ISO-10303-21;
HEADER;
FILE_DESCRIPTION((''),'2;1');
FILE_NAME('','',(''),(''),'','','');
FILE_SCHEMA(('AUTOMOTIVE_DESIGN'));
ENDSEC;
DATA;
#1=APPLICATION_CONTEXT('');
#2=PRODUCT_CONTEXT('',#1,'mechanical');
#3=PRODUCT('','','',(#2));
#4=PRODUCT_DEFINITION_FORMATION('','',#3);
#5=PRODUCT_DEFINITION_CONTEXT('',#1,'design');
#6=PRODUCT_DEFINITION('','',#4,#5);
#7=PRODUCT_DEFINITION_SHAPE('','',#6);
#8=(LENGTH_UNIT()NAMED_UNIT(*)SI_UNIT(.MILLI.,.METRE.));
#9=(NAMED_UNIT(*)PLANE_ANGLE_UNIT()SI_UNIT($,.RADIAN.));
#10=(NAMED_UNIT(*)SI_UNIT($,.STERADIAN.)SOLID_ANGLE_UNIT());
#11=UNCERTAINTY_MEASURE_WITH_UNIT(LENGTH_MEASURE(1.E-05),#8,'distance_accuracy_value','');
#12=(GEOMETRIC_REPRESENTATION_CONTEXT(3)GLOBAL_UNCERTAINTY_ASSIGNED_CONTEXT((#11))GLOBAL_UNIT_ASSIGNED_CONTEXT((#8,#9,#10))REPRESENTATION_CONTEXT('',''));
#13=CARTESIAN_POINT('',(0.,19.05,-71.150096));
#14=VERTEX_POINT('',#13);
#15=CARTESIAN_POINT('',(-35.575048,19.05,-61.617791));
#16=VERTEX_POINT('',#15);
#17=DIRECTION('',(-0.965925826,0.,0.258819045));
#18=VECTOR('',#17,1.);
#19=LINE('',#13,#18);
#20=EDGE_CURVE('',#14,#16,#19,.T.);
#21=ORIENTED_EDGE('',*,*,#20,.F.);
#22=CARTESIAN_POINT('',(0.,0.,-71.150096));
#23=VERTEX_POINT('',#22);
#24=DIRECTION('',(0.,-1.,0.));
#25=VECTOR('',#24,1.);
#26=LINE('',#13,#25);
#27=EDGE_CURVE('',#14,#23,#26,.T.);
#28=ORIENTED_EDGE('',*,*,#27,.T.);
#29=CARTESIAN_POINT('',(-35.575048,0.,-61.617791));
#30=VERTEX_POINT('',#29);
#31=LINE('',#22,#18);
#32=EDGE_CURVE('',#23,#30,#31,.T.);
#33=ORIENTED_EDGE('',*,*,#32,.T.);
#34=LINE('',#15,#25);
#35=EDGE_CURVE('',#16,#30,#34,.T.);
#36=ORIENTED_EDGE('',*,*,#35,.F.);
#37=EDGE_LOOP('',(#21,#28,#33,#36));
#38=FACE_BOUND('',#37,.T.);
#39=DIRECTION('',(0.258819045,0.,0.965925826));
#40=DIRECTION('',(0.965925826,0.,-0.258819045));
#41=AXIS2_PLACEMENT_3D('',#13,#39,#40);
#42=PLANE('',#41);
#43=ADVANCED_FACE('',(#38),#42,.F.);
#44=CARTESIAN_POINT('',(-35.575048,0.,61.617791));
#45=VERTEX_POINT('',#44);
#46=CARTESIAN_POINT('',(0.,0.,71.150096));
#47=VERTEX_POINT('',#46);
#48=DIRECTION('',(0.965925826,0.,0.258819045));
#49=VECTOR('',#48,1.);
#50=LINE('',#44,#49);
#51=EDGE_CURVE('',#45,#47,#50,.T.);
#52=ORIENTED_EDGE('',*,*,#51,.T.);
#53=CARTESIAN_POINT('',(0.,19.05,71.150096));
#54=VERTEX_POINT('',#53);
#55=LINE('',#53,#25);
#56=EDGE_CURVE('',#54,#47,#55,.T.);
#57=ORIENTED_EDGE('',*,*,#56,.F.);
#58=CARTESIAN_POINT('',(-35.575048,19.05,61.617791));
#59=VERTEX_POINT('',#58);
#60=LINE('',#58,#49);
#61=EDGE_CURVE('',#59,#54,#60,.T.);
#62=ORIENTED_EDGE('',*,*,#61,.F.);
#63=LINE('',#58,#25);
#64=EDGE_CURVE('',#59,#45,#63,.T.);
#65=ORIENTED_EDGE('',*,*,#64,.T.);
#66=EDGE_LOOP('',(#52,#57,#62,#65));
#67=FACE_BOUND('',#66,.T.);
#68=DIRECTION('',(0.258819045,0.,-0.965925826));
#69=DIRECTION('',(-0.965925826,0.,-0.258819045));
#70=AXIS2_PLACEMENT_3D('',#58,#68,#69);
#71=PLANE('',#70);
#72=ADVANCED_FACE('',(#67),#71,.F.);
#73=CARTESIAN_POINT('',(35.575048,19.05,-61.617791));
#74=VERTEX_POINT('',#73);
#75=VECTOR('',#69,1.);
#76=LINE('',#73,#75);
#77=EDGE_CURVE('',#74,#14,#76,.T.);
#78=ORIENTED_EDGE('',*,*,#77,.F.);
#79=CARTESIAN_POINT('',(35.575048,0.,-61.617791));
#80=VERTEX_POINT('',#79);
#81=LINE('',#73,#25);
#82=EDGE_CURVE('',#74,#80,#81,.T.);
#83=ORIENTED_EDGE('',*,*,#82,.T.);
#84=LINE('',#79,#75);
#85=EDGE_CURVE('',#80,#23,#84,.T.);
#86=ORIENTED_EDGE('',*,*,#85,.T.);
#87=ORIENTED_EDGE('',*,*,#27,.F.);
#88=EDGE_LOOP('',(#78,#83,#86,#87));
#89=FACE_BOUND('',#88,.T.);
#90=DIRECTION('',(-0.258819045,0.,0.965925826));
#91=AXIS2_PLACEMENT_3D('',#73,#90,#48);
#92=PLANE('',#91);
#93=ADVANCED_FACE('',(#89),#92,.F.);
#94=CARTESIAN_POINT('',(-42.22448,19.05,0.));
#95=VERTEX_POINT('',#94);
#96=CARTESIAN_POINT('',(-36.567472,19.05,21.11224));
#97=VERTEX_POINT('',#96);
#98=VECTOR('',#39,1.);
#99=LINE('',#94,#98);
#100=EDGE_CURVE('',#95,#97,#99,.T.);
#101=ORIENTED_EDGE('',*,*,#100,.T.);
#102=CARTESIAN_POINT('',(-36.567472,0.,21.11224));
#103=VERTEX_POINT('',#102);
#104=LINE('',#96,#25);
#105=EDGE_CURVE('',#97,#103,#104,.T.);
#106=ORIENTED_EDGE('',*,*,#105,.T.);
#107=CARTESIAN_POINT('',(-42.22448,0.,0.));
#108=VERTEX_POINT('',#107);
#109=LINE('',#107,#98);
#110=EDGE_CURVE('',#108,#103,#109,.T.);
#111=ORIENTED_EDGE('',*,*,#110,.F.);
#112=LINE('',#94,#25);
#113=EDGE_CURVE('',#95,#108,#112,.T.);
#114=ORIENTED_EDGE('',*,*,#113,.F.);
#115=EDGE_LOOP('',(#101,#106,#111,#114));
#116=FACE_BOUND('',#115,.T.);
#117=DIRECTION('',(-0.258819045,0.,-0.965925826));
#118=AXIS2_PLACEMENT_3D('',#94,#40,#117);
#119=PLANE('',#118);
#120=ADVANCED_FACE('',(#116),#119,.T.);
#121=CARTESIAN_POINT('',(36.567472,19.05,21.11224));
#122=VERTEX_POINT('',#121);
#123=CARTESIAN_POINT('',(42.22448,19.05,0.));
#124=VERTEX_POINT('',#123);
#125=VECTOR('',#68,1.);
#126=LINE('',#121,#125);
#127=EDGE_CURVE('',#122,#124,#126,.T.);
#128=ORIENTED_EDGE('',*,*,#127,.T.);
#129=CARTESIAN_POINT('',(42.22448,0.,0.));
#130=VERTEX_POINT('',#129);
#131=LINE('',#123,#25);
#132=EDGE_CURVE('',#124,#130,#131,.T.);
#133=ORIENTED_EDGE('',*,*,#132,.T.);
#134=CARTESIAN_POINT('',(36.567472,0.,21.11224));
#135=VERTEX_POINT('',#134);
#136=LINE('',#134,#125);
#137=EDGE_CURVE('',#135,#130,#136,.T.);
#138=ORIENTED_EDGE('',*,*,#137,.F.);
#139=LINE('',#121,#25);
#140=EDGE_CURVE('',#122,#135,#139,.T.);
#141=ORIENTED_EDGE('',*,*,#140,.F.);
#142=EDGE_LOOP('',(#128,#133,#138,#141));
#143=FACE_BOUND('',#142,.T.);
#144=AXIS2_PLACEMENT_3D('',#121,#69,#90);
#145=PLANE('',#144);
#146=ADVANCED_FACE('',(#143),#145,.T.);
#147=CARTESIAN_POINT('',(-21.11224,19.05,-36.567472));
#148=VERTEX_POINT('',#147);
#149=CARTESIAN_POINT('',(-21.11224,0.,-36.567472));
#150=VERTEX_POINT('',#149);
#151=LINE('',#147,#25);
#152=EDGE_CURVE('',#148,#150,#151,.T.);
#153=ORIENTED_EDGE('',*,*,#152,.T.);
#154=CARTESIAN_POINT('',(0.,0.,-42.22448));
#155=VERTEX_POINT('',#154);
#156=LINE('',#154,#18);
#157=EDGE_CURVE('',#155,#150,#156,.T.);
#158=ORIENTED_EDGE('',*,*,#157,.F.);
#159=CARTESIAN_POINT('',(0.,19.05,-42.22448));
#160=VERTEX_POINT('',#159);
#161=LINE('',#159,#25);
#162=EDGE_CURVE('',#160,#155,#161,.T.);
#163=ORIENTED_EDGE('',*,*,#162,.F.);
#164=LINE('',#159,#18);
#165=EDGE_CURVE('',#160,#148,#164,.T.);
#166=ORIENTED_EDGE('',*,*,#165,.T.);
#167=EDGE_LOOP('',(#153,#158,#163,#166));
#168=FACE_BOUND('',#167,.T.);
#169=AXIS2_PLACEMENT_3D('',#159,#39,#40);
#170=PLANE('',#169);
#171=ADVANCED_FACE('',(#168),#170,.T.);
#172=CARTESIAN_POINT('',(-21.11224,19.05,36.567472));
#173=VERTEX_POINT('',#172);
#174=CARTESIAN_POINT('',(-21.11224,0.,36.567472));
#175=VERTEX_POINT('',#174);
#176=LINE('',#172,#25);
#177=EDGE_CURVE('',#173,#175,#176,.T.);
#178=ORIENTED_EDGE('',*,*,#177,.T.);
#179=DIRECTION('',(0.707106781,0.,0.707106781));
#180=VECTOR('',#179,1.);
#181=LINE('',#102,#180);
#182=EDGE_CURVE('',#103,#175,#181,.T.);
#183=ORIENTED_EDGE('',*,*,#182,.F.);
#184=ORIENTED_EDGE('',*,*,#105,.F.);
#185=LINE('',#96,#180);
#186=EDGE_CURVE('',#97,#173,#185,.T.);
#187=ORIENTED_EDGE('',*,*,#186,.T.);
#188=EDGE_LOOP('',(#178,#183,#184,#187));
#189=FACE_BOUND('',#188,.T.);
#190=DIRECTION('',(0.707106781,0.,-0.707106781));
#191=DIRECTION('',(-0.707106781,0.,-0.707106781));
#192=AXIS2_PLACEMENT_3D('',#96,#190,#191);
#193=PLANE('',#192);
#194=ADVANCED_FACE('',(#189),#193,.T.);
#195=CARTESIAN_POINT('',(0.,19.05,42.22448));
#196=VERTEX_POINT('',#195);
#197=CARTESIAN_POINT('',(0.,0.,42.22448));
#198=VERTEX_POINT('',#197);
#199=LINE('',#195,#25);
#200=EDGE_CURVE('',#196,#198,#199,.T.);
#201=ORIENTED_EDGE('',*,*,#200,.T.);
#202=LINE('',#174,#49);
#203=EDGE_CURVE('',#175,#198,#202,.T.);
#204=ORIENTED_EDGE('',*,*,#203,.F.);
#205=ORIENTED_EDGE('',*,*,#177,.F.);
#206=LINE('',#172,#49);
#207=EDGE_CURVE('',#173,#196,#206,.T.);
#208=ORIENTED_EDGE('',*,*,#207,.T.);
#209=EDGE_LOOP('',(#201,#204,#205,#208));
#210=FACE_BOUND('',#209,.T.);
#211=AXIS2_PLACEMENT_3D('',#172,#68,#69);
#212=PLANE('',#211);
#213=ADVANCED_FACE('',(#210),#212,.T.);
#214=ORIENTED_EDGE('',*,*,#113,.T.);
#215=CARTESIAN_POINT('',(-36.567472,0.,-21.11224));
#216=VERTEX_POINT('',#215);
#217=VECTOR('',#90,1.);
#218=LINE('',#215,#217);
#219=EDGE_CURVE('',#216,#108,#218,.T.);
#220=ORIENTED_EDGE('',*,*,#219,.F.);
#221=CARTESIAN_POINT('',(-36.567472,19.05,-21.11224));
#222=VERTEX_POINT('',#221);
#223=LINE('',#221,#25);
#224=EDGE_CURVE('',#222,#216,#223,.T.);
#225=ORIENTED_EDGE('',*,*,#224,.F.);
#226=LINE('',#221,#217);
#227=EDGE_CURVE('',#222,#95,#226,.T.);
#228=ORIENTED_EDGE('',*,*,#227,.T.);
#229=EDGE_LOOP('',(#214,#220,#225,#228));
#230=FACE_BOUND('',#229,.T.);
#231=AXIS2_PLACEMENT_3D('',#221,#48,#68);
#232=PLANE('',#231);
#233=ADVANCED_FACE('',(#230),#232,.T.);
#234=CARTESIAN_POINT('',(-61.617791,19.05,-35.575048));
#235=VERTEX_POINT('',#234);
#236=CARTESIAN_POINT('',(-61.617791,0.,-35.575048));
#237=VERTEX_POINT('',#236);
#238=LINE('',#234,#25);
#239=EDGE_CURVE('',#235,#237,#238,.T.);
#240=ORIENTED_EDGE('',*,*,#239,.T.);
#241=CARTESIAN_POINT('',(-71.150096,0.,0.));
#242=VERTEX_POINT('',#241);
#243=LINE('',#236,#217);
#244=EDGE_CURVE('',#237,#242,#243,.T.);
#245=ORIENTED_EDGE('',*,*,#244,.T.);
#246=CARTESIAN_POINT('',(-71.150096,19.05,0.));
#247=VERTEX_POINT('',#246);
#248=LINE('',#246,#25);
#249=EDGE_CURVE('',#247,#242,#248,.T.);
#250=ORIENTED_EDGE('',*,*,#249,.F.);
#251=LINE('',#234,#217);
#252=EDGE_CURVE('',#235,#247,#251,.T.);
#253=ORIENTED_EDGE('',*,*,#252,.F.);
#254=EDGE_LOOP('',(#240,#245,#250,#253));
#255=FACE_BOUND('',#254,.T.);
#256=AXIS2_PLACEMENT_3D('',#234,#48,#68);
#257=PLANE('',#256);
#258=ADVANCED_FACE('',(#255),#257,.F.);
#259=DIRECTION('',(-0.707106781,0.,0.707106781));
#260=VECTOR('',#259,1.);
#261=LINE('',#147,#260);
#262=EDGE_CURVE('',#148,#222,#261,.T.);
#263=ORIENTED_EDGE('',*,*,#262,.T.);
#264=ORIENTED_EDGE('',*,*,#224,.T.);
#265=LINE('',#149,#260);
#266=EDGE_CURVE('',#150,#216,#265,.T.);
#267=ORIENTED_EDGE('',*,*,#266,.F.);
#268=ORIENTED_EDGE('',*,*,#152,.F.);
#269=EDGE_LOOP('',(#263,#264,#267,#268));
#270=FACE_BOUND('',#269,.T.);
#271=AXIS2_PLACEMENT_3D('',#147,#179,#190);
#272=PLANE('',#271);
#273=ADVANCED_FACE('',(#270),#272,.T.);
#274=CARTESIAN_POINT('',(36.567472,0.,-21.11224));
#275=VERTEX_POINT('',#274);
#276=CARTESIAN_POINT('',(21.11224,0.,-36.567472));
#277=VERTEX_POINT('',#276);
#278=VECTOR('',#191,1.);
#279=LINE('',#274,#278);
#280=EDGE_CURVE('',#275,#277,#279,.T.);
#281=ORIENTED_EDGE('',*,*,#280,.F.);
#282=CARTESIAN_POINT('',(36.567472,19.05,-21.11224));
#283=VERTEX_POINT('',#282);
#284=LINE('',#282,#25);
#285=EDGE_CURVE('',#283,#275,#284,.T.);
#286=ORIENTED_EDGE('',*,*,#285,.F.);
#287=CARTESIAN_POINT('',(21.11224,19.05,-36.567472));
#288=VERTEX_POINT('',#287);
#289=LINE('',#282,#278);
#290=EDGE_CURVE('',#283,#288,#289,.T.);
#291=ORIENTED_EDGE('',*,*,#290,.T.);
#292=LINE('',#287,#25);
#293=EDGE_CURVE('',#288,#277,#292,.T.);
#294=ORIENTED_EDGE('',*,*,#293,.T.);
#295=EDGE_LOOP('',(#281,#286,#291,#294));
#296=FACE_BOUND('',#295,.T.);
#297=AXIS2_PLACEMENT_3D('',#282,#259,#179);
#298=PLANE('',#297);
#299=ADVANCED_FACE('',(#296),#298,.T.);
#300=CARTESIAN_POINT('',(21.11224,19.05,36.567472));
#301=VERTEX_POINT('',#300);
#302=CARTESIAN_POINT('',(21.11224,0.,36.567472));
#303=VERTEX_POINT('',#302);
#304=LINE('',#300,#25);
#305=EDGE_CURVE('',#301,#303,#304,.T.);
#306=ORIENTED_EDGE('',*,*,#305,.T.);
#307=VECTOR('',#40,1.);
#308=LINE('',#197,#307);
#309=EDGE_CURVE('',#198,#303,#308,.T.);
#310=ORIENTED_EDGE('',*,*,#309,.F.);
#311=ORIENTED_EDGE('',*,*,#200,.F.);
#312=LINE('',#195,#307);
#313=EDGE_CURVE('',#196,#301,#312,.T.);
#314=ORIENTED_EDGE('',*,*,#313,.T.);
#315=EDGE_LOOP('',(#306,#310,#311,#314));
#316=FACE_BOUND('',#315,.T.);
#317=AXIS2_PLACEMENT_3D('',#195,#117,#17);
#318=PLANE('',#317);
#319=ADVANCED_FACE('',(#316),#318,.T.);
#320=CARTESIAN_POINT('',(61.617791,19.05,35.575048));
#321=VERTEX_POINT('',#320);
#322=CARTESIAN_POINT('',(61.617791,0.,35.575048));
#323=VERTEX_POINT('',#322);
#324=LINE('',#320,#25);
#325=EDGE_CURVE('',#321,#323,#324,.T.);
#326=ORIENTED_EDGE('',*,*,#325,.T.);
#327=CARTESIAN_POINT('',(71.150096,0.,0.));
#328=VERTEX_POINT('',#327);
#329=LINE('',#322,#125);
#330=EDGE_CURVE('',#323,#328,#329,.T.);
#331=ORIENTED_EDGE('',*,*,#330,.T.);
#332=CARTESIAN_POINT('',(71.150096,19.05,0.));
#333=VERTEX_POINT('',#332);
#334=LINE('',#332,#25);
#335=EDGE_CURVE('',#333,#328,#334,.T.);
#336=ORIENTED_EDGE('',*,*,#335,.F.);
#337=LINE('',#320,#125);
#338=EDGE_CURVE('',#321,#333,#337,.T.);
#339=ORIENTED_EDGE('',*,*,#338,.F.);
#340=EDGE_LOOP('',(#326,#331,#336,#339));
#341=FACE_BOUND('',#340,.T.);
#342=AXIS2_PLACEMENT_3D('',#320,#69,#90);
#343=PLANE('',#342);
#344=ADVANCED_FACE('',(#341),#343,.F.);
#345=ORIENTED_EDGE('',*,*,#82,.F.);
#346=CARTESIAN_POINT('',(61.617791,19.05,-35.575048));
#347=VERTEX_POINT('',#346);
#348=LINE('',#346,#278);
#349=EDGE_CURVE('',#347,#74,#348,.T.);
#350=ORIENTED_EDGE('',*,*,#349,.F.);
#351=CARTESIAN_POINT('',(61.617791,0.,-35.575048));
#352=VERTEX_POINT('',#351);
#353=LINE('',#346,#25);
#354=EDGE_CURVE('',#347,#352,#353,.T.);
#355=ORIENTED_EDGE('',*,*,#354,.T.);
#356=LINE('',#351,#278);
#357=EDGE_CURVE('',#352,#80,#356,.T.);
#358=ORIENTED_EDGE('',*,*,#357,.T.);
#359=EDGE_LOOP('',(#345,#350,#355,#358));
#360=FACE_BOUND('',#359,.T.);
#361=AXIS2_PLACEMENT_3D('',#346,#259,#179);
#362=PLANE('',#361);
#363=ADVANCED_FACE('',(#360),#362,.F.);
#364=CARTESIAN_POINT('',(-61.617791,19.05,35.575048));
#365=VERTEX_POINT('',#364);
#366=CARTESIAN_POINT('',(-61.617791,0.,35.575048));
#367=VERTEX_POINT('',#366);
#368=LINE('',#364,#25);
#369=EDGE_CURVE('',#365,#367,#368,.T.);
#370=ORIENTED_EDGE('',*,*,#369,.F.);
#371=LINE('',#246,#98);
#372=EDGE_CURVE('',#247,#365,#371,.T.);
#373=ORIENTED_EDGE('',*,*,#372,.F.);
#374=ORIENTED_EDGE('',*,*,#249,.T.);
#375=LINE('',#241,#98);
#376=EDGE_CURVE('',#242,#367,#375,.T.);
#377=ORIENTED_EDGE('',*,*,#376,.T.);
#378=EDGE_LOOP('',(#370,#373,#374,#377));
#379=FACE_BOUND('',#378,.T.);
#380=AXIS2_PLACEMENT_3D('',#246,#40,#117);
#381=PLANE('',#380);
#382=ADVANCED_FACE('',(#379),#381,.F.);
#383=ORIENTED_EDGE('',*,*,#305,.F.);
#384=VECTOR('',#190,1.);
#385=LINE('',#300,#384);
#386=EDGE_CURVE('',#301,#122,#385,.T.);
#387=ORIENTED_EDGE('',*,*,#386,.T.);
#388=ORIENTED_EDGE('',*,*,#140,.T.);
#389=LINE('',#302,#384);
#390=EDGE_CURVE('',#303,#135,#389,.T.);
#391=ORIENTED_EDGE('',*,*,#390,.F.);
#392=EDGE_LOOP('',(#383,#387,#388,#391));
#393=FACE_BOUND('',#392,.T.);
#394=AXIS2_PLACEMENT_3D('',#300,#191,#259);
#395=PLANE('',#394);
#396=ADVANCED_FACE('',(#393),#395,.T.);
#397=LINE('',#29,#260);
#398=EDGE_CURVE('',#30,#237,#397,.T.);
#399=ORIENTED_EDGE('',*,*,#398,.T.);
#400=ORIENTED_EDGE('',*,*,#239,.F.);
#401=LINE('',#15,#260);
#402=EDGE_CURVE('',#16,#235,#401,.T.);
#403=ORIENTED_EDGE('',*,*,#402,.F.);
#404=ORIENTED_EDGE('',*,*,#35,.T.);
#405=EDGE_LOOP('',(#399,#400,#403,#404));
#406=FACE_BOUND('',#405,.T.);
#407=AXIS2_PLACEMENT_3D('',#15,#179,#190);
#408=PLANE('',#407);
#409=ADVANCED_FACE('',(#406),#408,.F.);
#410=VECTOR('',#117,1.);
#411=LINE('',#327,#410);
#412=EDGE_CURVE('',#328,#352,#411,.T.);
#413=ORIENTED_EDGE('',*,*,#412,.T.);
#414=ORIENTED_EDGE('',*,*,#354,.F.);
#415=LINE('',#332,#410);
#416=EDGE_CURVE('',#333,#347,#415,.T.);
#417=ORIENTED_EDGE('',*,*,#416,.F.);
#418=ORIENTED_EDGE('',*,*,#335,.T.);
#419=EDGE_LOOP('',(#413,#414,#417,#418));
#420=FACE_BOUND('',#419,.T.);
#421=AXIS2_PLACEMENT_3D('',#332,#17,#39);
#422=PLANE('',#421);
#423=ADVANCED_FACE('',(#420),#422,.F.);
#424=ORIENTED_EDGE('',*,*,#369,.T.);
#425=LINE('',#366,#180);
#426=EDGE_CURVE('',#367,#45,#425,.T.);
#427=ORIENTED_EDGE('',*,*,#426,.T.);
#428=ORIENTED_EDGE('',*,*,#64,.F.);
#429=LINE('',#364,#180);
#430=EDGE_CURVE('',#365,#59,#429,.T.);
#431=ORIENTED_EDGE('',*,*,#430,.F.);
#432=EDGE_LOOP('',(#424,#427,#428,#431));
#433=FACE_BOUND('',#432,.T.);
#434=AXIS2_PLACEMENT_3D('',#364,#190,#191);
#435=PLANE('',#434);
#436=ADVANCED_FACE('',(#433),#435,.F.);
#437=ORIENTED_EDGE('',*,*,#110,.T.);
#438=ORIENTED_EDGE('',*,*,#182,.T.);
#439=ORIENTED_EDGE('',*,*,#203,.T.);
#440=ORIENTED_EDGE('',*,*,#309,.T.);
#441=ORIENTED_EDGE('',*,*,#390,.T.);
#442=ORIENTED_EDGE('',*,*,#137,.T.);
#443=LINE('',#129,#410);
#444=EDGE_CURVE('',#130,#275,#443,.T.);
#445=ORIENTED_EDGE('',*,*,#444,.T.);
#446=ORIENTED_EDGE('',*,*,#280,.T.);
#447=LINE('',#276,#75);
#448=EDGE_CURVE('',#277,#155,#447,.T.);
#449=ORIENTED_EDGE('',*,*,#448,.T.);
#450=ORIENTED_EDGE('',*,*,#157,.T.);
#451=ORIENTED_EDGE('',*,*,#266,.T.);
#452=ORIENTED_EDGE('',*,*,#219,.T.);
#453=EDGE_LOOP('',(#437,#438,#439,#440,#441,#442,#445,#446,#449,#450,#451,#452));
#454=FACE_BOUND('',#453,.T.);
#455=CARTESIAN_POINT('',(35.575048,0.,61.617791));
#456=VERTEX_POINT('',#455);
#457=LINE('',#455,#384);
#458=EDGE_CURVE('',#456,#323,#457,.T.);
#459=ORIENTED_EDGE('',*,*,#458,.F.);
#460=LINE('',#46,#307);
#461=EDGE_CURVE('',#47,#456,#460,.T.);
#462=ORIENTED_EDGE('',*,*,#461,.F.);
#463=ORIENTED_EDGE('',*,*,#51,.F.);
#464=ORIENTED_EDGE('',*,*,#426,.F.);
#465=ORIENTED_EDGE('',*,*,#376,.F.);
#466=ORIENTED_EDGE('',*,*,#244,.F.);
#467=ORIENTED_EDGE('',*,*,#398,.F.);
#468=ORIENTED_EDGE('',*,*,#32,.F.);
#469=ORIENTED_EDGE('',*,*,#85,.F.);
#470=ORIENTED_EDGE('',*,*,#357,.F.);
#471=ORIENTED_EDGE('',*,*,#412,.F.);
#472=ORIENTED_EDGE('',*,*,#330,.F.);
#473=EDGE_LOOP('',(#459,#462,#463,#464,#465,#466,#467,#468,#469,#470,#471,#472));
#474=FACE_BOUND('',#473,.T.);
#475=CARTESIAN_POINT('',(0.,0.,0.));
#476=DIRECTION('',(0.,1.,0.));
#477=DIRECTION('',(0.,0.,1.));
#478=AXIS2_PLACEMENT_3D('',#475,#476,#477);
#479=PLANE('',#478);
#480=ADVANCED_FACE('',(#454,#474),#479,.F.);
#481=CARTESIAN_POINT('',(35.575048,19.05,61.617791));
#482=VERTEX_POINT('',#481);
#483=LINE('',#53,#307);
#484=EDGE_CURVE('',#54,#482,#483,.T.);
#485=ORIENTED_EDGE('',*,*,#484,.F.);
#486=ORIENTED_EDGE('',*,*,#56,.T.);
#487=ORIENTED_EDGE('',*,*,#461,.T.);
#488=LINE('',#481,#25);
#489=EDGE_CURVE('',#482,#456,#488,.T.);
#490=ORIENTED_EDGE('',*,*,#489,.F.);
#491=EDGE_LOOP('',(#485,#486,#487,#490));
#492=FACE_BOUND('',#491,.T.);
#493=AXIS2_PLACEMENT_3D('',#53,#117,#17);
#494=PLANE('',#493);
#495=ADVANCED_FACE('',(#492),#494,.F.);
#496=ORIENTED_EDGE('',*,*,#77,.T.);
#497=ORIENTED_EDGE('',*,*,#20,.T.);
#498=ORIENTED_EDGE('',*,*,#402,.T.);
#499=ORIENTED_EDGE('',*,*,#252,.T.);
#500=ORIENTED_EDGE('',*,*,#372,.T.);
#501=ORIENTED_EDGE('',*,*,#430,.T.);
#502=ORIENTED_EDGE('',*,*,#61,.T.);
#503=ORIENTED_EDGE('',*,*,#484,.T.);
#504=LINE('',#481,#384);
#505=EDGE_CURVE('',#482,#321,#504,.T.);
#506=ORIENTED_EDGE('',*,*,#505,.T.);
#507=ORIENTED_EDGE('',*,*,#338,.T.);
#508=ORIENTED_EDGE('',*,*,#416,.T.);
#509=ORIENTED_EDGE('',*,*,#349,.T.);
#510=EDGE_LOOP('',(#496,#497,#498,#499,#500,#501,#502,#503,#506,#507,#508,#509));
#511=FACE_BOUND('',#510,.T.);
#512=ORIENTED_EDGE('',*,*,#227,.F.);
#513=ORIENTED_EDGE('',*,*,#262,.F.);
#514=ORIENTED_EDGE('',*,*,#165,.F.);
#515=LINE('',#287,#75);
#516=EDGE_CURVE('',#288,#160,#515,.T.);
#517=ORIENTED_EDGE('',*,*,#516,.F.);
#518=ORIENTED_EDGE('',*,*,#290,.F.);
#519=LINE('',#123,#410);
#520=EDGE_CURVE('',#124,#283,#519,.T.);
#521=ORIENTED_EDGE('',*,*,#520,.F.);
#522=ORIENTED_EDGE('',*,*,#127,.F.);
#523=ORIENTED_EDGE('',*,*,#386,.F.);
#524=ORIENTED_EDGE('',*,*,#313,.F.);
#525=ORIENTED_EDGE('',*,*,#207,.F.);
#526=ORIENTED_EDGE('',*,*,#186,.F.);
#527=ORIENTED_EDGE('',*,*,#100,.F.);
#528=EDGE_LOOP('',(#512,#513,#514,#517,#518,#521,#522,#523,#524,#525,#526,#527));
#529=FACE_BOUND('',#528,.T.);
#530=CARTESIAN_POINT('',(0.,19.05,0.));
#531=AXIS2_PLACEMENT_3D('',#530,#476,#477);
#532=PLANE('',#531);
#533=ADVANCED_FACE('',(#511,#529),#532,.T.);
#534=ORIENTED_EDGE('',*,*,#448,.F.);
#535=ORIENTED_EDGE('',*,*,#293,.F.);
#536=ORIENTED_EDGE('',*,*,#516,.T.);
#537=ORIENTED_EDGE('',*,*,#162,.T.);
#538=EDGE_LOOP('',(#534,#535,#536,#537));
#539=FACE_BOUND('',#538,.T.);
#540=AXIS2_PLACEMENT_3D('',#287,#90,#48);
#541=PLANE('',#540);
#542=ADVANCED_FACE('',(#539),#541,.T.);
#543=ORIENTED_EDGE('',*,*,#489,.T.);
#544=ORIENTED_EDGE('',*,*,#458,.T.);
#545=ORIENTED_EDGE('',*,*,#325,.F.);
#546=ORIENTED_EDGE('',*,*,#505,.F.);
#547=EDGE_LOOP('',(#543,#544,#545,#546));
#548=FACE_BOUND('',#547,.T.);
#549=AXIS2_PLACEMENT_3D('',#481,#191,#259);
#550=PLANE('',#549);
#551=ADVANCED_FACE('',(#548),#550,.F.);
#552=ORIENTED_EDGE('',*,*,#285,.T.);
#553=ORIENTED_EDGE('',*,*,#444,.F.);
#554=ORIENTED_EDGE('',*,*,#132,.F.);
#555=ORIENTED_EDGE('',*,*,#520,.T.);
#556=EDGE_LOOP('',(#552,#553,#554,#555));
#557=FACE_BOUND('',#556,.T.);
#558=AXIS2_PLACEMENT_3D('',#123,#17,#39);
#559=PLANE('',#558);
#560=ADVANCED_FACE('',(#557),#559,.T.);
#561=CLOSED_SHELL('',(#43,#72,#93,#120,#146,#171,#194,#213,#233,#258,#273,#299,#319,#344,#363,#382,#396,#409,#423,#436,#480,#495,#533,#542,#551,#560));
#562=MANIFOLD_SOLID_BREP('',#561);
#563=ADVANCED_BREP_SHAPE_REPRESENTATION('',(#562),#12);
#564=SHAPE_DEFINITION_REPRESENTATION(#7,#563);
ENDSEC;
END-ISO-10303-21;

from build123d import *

# Parameters (mm, degrees)
BOSS_EXTRUDE1_DEPTH = 19.05


with BuildPart() as part:
    # Sketch1 → Boss-Extrude1 (new body)
    with BuildSketch(Plane(origin=(0, 0, 0), x_dir=(1, 0, 0), z_dir=(0, 1, 0))):
        Polygon((71.150096364, 0), (61.617790933, 35.575048182), (35.575048182, 61.617790933), (0, 71.150096364), (-35.575048182, 61.617790933), (-61.617790933, 35.575048182), (-71.150096364, 0), (-61.617790933, -35.575048182), (-35.575048182, -61.617790933), (0, -71.150096364), (35.575048182, -61.617790933), (61.617790933, -35.575048182), align=None)
        Polygon((42.224479884, 0), (36.567472241, 21.112239942), (21.112239942, 36.567472241), (0, 42.224479884), (-21.112239942, 36.567472241), (-36.567472241, 21.112239942), (-42.224479884, 0), (-36.567472241, -21.112239942), (-21.112239942, -36.567472241), (0, -42.224479884), (21.112239942, -36.567472241), (36.567472241, -21.112239942), align=None, mode=Mode.SUBTRACT)
    extrude(amount=BOSS_EXTRUDE1_DEPTH)


solid = part.part
